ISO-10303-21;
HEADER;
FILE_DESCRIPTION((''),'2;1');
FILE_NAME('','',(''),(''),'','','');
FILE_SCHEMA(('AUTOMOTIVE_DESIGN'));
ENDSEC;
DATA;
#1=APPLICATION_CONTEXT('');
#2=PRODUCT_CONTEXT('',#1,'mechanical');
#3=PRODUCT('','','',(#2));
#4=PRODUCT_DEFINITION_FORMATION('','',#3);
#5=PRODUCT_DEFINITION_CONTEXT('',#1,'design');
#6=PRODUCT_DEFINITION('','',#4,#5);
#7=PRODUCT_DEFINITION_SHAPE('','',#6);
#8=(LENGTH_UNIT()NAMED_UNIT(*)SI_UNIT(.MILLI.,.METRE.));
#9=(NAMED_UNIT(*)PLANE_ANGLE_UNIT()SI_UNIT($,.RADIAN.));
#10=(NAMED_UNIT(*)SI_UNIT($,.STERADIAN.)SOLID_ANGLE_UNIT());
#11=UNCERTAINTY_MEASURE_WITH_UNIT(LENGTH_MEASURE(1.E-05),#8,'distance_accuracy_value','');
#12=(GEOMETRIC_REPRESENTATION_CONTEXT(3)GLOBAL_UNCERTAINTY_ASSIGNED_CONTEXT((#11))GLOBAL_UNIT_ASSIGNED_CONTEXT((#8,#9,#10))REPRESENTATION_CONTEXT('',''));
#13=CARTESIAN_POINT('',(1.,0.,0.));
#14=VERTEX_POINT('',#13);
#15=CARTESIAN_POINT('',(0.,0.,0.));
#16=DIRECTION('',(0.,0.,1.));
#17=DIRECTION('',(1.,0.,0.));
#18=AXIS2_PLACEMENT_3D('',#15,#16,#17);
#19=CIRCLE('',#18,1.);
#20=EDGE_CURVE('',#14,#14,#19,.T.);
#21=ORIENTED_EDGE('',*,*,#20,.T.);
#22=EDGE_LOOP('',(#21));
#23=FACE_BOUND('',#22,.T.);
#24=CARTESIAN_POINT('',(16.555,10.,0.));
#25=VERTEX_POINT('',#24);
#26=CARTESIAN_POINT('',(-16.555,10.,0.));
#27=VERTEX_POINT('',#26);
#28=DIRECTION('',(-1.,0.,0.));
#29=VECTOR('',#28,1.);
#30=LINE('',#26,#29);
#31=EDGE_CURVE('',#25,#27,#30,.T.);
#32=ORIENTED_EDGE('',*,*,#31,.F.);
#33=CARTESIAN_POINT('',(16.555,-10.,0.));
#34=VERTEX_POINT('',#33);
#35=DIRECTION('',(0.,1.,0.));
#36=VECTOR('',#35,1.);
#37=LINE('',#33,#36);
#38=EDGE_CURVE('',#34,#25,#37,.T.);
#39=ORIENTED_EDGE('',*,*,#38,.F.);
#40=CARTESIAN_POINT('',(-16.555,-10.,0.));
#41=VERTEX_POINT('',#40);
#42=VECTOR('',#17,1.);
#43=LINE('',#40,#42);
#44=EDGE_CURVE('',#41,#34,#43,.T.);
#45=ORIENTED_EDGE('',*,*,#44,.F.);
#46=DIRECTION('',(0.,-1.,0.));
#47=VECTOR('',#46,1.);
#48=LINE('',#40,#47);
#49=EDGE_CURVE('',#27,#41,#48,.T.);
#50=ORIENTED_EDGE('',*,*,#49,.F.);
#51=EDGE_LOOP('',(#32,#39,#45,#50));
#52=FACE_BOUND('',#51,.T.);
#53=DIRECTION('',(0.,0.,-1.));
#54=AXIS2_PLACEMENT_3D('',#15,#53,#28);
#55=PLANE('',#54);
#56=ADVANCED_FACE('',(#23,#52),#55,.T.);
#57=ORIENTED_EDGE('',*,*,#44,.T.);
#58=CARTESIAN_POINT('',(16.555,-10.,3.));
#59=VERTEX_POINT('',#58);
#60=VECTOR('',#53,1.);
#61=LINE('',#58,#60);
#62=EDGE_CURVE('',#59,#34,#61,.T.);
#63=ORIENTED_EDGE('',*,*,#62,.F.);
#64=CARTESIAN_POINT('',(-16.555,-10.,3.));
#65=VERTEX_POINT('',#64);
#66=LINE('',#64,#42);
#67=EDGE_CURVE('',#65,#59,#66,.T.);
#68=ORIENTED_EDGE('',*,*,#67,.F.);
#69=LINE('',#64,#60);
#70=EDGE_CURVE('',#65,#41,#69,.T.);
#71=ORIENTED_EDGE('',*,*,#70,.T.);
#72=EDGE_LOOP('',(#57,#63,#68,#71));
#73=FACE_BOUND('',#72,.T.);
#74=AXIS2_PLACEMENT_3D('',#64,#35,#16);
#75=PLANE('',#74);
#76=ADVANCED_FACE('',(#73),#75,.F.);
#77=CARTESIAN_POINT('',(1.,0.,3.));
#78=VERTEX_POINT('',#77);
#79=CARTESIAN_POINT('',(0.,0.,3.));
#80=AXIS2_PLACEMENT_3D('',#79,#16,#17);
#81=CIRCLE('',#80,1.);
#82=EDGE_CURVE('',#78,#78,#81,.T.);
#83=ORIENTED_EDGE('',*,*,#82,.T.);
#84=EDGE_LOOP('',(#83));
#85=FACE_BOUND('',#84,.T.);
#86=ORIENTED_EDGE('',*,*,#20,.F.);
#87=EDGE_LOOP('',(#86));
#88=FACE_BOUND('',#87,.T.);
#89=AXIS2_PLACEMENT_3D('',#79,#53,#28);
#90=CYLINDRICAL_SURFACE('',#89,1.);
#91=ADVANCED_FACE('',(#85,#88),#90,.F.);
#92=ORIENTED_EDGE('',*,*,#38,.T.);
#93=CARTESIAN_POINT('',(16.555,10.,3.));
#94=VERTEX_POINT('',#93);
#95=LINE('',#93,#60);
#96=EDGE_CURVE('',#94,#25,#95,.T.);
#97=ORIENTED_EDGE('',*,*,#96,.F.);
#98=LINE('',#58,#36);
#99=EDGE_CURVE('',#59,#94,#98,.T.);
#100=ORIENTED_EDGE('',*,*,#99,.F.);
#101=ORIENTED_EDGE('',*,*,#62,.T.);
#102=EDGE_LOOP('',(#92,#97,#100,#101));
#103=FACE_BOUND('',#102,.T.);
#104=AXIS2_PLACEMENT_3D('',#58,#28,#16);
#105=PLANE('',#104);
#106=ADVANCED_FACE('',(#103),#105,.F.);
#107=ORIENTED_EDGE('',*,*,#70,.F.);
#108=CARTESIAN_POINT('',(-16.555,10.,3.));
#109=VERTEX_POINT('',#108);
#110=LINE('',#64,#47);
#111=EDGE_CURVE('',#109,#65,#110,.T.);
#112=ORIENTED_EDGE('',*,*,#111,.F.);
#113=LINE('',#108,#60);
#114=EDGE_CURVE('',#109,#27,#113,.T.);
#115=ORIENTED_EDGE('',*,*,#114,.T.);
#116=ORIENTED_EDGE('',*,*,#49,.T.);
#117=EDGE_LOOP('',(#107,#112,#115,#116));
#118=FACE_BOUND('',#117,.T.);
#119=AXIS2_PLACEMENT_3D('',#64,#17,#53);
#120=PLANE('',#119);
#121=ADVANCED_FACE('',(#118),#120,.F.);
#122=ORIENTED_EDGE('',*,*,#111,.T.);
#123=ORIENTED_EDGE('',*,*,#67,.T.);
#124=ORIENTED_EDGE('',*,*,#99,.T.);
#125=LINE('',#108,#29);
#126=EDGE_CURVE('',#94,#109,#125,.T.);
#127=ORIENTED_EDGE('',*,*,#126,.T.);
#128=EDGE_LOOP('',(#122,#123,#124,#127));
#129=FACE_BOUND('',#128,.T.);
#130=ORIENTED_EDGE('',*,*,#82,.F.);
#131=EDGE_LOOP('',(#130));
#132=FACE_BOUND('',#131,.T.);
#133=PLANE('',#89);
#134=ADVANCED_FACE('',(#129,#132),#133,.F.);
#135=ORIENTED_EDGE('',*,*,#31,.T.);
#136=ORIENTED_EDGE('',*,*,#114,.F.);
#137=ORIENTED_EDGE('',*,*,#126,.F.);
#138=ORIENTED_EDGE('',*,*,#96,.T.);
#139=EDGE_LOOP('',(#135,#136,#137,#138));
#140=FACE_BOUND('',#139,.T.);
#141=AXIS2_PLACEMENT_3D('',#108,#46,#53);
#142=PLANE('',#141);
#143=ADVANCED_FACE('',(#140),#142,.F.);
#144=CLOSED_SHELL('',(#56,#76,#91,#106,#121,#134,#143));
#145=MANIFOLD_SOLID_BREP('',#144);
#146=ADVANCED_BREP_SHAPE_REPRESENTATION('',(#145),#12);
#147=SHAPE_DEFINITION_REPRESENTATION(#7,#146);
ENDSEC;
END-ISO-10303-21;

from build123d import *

# Parameters (mm, degrees)
CROQUIS1_W              = 33.11
CROQUIS1_H              = 20
CROQUIS1_R              = 1
SALIENTE_EXTRUIR1_DEPTH = 3


with BuildPart() as part:
    # Croquis1 → Saliente-Extruir1 (new body)
    with BuildSketch(Plane.XY):
        Rectangle(CROQUIS1_W, CROQUIS1_H)
        Circle(CROQUIS1_R, mode=Mode.SUBTRACT)
    extrude(amount=SALIENTE_EXTRUIR1_DEPTH)


solid = part.part
